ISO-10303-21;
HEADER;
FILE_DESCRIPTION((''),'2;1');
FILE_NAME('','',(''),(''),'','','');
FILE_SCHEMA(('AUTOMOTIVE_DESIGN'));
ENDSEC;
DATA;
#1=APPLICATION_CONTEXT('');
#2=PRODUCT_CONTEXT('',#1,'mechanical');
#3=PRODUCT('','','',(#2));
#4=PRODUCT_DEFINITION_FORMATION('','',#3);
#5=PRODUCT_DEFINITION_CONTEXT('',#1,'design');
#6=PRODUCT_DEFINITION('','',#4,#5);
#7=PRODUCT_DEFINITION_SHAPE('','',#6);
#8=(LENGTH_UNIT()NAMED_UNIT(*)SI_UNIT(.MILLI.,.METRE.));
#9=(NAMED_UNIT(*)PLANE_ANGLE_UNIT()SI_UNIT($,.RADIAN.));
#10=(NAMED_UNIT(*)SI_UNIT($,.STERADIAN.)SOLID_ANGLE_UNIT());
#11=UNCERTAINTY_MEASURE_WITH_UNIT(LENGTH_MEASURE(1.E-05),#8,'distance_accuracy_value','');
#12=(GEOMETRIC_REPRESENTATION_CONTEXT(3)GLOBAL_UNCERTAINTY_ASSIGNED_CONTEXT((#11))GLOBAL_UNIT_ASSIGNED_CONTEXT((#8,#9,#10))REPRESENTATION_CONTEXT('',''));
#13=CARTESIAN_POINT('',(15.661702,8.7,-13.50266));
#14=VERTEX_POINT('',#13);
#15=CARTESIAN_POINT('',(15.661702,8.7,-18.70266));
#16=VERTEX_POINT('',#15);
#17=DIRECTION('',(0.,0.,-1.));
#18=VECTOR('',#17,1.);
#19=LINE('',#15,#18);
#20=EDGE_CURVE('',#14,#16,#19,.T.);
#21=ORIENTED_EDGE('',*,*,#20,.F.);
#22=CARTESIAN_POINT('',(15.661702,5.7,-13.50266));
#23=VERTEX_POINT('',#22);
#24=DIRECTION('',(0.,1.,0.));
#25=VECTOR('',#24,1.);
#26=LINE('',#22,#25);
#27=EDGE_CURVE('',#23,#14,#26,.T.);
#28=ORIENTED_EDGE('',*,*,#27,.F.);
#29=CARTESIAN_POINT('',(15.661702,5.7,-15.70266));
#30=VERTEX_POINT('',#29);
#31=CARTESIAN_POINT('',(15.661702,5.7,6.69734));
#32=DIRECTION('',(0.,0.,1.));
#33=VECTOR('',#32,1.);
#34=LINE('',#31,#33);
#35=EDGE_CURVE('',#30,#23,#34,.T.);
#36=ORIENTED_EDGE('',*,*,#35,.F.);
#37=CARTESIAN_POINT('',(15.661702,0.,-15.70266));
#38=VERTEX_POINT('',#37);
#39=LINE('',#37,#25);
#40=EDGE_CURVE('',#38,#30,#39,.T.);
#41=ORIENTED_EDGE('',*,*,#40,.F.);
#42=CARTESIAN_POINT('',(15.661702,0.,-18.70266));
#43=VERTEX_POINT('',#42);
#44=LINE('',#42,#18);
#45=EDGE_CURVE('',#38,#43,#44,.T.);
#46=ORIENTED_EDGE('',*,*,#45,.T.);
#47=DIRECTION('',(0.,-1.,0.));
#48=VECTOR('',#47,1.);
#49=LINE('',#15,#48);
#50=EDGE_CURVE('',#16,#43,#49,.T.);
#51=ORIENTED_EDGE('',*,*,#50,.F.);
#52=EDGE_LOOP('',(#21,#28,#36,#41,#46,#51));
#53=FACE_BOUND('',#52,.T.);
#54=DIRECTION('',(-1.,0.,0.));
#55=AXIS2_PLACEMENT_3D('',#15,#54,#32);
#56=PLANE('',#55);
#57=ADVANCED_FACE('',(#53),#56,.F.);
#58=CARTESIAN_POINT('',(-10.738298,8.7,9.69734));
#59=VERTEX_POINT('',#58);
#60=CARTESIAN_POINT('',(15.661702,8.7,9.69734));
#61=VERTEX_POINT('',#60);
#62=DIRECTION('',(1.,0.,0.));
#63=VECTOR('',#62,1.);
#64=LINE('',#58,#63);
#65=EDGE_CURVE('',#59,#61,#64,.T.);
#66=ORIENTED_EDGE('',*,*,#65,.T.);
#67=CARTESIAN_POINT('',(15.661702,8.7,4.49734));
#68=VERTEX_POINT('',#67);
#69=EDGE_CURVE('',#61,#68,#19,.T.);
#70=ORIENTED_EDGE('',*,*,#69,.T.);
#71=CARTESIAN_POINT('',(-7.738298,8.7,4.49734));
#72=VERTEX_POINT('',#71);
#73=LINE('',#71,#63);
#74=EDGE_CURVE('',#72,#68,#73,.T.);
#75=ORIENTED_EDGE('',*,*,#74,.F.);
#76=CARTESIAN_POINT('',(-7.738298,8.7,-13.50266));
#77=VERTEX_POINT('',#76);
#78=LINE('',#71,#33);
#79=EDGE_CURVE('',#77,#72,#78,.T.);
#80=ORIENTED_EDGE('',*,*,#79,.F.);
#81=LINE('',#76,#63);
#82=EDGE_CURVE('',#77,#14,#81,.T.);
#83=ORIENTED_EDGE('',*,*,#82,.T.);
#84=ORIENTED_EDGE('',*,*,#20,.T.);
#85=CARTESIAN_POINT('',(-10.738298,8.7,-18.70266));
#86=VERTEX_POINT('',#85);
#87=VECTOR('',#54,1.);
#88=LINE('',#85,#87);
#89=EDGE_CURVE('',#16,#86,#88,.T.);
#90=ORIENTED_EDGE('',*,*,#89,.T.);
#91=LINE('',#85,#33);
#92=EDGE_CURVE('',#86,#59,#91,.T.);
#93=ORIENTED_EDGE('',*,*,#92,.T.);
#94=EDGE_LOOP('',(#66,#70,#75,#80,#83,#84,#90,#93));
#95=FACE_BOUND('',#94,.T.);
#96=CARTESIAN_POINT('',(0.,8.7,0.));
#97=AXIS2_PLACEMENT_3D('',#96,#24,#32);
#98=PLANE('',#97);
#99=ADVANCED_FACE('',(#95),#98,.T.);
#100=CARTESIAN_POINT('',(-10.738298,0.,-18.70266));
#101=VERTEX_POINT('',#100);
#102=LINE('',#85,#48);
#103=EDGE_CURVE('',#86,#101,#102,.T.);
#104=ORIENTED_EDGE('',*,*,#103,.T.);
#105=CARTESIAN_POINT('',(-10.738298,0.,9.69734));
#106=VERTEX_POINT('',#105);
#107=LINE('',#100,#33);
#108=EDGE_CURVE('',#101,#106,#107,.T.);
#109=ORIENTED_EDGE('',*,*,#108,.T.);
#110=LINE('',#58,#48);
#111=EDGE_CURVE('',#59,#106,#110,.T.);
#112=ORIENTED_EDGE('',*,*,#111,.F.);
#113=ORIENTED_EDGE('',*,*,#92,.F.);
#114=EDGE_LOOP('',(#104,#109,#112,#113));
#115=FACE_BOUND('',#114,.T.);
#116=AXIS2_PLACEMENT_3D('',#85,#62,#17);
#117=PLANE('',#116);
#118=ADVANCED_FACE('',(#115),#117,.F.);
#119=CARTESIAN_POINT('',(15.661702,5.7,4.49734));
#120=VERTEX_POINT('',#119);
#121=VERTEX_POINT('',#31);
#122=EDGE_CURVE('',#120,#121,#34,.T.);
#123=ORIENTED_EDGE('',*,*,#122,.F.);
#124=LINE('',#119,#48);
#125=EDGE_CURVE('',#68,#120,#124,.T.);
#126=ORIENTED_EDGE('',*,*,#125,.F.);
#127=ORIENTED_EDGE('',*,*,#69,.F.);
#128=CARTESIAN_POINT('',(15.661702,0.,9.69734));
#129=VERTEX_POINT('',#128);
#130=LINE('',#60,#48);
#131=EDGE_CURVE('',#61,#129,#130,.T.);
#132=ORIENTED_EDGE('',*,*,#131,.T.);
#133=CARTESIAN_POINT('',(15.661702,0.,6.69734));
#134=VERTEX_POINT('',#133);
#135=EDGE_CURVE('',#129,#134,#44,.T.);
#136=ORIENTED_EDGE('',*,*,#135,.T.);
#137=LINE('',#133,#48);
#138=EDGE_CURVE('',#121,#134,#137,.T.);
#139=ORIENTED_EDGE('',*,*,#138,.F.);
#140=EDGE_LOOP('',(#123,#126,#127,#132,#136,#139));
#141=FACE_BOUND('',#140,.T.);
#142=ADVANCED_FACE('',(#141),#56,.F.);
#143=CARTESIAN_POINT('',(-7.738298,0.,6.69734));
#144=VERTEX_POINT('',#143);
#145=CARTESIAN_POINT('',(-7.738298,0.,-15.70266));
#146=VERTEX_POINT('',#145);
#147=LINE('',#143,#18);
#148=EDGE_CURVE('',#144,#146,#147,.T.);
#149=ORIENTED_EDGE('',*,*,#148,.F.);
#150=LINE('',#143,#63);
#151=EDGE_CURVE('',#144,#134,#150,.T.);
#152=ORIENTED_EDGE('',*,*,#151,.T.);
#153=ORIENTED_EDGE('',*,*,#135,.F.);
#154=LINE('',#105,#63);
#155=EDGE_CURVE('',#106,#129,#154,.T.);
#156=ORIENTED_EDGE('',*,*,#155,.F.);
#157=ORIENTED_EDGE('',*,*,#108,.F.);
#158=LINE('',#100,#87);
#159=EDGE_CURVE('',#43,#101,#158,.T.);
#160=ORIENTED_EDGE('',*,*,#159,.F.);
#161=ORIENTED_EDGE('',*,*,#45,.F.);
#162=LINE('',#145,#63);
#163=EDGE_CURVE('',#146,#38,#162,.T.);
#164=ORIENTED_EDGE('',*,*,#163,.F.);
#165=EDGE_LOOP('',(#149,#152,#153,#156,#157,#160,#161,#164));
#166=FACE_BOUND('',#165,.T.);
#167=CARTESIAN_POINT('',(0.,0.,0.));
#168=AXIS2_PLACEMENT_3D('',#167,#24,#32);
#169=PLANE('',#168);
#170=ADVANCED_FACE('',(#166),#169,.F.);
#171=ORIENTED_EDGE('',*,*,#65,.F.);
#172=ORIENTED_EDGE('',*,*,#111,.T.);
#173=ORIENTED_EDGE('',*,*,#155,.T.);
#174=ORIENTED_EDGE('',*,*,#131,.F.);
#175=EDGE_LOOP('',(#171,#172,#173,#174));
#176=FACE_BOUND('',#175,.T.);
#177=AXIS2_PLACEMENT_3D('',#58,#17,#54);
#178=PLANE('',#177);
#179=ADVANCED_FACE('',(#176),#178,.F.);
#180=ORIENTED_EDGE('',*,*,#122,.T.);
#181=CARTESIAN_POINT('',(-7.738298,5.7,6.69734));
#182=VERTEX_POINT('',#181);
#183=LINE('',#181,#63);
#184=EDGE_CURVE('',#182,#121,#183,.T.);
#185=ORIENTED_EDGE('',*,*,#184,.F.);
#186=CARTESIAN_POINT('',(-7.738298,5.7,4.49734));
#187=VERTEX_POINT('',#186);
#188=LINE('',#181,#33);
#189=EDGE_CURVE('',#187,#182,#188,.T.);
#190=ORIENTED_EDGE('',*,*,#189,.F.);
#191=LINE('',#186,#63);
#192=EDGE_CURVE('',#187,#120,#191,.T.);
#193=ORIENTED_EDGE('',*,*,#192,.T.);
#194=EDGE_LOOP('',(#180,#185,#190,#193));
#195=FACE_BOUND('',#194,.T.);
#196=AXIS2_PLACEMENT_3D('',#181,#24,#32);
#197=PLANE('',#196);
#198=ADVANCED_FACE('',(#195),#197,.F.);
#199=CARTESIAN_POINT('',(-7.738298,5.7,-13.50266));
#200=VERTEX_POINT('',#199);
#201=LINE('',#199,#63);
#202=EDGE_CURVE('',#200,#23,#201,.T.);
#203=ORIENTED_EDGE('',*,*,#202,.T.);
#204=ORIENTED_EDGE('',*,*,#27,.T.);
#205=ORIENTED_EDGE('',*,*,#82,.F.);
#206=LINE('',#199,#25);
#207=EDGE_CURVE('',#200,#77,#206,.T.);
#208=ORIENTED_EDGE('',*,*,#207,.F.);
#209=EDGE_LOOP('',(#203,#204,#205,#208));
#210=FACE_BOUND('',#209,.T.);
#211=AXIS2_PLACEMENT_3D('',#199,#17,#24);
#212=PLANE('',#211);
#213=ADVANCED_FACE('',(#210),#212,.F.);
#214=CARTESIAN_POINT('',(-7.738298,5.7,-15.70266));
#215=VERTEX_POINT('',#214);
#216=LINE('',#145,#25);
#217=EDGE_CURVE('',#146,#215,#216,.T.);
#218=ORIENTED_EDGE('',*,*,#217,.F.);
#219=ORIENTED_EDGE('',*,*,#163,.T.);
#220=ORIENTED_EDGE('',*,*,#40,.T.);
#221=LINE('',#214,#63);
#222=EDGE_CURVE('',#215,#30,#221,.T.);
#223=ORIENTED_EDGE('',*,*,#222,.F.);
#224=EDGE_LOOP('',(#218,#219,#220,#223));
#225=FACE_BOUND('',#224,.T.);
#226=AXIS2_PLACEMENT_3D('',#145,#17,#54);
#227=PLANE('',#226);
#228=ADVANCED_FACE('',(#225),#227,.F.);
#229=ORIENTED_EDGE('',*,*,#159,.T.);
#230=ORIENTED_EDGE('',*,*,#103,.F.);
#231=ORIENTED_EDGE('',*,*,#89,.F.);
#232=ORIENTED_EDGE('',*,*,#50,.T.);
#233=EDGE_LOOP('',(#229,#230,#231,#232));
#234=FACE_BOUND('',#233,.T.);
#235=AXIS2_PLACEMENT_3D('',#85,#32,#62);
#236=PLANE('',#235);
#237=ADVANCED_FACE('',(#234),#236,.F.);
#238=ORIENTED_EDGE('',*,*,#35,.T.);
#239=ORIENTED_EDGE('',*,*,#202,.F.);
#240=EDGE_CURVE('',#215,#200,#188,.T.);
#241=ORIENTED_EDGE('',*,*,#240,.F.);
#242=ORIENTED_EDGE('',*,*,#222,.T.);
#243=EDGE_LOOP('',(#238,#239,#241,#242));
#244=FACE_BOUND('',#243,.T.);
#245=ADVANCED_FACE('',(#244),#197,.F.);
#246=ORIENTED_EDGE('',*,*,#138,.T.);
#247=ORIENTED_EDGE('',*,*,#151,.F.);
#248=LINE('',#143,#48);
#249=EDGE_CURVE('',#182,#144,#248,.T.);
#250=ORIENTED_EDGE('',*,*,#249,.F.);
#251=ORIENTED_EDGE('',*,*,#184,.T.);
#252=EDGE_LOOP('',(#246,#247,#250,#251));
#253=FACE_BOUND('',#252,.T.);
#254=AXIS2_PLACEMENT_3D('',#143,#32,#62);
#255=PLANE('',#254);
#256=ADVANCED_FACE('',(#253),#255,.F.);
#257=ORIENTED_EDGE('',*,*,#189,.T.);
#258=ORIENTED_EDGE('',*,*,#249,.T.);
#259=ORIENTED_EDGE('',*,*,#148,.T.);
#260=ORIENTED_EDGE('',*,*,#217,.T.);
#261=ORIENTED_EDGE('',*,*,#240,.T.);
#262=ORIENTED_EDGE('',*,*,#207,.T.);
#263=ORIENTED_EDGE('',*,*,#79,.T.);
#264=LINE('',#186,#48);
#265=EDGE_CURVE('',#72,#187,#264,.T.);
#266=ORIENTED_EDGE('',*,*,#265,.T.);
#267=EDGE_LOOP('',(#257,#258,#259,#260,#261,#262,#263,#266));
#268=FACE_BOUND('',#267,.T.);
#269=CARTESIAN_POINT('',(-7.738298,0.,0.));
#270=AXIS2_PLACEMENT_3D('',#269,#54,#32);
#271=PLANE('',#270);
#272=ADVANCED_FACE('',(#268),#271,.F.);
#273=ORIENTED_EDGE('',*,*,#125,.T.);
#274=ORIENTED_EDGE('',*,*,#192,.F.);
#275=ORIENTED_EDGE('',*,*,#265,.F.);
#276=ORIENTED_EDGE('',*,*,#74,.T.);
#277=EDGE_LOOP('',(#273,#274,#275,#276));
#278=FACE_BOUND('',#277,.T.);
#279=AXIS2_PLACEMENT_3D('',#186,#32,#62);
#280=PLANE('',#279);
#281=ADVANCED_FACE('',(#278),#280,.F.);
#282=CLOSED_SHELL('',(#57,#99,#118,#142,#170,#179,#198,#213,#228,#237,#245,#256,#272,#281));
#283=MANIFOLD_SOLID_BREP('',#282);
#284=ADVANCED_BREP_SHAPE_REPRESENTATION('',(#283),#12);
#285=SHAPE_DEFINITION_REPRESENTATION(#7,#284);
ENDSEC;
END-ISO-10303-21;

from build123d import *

# Parameters (mm, degrees)
CROQUIS1_W              = 26.4
CROQUIS1_H              = 28.4
SALIENTE_EXTRUIR1_DEPTH = 8.7
CROQUIS2_W              = 22.4
CROQUIS2_H              = 5.7
CORTAR_EXTRUIR1_DEPTH   = 23.4
CROQUIS3_W              = 18
CROQUIS3_H              = 3
CORTAR_EXTRUIR2_DEPTH   = 23.4


with BuildPart() as part:
    # Croquis1 → Saliente-Extruir1 (new body)
    with BuildSketch(Plane(origin=(0, 0, 0), x_dir=(1, 0, 0), z_dir=(0, 1, 0))):
        with Locations((2.461702128, 4.502659574)):
            Rectangle(CROQUIS1_W, CROQUIS1_H)
    extrude(amount=SALIENTE_EXTRUIR1_DEPTH)

    # Croquis2 → Cortar-Extruir1 (cut)
    with BuildSketch(Plane(origin=(15.661702128, 0, 0), x_dir=(0, 0, -1), z_dir=(1, 0, 0))):
        with Locations((4.502659574, 2.85)):
            Rectangle(CROQUIS2_W, CROQUIS2_H)
    extrude(amount=-CORTAR_EXTRUIR1_DEPTH, mode=Mode.SUBTRACT)

    # Croquis3 → Cortar-Extruir2 (cut)
    with BuildSketch(Plane(origin=(15.661702128, 0, 0), x_dir=(0, 0, -1), z_dir=(1, 0, 0))):
        with Locations((4.502659574, 7.2)):
            Rectangle(CROQUIS3_W, CROQUIS3_H)
    extrude(amount=-CORTAR_EXTRUIR2_DEPTH, mode=Mode.SUBTRACT)


solid = part.part
